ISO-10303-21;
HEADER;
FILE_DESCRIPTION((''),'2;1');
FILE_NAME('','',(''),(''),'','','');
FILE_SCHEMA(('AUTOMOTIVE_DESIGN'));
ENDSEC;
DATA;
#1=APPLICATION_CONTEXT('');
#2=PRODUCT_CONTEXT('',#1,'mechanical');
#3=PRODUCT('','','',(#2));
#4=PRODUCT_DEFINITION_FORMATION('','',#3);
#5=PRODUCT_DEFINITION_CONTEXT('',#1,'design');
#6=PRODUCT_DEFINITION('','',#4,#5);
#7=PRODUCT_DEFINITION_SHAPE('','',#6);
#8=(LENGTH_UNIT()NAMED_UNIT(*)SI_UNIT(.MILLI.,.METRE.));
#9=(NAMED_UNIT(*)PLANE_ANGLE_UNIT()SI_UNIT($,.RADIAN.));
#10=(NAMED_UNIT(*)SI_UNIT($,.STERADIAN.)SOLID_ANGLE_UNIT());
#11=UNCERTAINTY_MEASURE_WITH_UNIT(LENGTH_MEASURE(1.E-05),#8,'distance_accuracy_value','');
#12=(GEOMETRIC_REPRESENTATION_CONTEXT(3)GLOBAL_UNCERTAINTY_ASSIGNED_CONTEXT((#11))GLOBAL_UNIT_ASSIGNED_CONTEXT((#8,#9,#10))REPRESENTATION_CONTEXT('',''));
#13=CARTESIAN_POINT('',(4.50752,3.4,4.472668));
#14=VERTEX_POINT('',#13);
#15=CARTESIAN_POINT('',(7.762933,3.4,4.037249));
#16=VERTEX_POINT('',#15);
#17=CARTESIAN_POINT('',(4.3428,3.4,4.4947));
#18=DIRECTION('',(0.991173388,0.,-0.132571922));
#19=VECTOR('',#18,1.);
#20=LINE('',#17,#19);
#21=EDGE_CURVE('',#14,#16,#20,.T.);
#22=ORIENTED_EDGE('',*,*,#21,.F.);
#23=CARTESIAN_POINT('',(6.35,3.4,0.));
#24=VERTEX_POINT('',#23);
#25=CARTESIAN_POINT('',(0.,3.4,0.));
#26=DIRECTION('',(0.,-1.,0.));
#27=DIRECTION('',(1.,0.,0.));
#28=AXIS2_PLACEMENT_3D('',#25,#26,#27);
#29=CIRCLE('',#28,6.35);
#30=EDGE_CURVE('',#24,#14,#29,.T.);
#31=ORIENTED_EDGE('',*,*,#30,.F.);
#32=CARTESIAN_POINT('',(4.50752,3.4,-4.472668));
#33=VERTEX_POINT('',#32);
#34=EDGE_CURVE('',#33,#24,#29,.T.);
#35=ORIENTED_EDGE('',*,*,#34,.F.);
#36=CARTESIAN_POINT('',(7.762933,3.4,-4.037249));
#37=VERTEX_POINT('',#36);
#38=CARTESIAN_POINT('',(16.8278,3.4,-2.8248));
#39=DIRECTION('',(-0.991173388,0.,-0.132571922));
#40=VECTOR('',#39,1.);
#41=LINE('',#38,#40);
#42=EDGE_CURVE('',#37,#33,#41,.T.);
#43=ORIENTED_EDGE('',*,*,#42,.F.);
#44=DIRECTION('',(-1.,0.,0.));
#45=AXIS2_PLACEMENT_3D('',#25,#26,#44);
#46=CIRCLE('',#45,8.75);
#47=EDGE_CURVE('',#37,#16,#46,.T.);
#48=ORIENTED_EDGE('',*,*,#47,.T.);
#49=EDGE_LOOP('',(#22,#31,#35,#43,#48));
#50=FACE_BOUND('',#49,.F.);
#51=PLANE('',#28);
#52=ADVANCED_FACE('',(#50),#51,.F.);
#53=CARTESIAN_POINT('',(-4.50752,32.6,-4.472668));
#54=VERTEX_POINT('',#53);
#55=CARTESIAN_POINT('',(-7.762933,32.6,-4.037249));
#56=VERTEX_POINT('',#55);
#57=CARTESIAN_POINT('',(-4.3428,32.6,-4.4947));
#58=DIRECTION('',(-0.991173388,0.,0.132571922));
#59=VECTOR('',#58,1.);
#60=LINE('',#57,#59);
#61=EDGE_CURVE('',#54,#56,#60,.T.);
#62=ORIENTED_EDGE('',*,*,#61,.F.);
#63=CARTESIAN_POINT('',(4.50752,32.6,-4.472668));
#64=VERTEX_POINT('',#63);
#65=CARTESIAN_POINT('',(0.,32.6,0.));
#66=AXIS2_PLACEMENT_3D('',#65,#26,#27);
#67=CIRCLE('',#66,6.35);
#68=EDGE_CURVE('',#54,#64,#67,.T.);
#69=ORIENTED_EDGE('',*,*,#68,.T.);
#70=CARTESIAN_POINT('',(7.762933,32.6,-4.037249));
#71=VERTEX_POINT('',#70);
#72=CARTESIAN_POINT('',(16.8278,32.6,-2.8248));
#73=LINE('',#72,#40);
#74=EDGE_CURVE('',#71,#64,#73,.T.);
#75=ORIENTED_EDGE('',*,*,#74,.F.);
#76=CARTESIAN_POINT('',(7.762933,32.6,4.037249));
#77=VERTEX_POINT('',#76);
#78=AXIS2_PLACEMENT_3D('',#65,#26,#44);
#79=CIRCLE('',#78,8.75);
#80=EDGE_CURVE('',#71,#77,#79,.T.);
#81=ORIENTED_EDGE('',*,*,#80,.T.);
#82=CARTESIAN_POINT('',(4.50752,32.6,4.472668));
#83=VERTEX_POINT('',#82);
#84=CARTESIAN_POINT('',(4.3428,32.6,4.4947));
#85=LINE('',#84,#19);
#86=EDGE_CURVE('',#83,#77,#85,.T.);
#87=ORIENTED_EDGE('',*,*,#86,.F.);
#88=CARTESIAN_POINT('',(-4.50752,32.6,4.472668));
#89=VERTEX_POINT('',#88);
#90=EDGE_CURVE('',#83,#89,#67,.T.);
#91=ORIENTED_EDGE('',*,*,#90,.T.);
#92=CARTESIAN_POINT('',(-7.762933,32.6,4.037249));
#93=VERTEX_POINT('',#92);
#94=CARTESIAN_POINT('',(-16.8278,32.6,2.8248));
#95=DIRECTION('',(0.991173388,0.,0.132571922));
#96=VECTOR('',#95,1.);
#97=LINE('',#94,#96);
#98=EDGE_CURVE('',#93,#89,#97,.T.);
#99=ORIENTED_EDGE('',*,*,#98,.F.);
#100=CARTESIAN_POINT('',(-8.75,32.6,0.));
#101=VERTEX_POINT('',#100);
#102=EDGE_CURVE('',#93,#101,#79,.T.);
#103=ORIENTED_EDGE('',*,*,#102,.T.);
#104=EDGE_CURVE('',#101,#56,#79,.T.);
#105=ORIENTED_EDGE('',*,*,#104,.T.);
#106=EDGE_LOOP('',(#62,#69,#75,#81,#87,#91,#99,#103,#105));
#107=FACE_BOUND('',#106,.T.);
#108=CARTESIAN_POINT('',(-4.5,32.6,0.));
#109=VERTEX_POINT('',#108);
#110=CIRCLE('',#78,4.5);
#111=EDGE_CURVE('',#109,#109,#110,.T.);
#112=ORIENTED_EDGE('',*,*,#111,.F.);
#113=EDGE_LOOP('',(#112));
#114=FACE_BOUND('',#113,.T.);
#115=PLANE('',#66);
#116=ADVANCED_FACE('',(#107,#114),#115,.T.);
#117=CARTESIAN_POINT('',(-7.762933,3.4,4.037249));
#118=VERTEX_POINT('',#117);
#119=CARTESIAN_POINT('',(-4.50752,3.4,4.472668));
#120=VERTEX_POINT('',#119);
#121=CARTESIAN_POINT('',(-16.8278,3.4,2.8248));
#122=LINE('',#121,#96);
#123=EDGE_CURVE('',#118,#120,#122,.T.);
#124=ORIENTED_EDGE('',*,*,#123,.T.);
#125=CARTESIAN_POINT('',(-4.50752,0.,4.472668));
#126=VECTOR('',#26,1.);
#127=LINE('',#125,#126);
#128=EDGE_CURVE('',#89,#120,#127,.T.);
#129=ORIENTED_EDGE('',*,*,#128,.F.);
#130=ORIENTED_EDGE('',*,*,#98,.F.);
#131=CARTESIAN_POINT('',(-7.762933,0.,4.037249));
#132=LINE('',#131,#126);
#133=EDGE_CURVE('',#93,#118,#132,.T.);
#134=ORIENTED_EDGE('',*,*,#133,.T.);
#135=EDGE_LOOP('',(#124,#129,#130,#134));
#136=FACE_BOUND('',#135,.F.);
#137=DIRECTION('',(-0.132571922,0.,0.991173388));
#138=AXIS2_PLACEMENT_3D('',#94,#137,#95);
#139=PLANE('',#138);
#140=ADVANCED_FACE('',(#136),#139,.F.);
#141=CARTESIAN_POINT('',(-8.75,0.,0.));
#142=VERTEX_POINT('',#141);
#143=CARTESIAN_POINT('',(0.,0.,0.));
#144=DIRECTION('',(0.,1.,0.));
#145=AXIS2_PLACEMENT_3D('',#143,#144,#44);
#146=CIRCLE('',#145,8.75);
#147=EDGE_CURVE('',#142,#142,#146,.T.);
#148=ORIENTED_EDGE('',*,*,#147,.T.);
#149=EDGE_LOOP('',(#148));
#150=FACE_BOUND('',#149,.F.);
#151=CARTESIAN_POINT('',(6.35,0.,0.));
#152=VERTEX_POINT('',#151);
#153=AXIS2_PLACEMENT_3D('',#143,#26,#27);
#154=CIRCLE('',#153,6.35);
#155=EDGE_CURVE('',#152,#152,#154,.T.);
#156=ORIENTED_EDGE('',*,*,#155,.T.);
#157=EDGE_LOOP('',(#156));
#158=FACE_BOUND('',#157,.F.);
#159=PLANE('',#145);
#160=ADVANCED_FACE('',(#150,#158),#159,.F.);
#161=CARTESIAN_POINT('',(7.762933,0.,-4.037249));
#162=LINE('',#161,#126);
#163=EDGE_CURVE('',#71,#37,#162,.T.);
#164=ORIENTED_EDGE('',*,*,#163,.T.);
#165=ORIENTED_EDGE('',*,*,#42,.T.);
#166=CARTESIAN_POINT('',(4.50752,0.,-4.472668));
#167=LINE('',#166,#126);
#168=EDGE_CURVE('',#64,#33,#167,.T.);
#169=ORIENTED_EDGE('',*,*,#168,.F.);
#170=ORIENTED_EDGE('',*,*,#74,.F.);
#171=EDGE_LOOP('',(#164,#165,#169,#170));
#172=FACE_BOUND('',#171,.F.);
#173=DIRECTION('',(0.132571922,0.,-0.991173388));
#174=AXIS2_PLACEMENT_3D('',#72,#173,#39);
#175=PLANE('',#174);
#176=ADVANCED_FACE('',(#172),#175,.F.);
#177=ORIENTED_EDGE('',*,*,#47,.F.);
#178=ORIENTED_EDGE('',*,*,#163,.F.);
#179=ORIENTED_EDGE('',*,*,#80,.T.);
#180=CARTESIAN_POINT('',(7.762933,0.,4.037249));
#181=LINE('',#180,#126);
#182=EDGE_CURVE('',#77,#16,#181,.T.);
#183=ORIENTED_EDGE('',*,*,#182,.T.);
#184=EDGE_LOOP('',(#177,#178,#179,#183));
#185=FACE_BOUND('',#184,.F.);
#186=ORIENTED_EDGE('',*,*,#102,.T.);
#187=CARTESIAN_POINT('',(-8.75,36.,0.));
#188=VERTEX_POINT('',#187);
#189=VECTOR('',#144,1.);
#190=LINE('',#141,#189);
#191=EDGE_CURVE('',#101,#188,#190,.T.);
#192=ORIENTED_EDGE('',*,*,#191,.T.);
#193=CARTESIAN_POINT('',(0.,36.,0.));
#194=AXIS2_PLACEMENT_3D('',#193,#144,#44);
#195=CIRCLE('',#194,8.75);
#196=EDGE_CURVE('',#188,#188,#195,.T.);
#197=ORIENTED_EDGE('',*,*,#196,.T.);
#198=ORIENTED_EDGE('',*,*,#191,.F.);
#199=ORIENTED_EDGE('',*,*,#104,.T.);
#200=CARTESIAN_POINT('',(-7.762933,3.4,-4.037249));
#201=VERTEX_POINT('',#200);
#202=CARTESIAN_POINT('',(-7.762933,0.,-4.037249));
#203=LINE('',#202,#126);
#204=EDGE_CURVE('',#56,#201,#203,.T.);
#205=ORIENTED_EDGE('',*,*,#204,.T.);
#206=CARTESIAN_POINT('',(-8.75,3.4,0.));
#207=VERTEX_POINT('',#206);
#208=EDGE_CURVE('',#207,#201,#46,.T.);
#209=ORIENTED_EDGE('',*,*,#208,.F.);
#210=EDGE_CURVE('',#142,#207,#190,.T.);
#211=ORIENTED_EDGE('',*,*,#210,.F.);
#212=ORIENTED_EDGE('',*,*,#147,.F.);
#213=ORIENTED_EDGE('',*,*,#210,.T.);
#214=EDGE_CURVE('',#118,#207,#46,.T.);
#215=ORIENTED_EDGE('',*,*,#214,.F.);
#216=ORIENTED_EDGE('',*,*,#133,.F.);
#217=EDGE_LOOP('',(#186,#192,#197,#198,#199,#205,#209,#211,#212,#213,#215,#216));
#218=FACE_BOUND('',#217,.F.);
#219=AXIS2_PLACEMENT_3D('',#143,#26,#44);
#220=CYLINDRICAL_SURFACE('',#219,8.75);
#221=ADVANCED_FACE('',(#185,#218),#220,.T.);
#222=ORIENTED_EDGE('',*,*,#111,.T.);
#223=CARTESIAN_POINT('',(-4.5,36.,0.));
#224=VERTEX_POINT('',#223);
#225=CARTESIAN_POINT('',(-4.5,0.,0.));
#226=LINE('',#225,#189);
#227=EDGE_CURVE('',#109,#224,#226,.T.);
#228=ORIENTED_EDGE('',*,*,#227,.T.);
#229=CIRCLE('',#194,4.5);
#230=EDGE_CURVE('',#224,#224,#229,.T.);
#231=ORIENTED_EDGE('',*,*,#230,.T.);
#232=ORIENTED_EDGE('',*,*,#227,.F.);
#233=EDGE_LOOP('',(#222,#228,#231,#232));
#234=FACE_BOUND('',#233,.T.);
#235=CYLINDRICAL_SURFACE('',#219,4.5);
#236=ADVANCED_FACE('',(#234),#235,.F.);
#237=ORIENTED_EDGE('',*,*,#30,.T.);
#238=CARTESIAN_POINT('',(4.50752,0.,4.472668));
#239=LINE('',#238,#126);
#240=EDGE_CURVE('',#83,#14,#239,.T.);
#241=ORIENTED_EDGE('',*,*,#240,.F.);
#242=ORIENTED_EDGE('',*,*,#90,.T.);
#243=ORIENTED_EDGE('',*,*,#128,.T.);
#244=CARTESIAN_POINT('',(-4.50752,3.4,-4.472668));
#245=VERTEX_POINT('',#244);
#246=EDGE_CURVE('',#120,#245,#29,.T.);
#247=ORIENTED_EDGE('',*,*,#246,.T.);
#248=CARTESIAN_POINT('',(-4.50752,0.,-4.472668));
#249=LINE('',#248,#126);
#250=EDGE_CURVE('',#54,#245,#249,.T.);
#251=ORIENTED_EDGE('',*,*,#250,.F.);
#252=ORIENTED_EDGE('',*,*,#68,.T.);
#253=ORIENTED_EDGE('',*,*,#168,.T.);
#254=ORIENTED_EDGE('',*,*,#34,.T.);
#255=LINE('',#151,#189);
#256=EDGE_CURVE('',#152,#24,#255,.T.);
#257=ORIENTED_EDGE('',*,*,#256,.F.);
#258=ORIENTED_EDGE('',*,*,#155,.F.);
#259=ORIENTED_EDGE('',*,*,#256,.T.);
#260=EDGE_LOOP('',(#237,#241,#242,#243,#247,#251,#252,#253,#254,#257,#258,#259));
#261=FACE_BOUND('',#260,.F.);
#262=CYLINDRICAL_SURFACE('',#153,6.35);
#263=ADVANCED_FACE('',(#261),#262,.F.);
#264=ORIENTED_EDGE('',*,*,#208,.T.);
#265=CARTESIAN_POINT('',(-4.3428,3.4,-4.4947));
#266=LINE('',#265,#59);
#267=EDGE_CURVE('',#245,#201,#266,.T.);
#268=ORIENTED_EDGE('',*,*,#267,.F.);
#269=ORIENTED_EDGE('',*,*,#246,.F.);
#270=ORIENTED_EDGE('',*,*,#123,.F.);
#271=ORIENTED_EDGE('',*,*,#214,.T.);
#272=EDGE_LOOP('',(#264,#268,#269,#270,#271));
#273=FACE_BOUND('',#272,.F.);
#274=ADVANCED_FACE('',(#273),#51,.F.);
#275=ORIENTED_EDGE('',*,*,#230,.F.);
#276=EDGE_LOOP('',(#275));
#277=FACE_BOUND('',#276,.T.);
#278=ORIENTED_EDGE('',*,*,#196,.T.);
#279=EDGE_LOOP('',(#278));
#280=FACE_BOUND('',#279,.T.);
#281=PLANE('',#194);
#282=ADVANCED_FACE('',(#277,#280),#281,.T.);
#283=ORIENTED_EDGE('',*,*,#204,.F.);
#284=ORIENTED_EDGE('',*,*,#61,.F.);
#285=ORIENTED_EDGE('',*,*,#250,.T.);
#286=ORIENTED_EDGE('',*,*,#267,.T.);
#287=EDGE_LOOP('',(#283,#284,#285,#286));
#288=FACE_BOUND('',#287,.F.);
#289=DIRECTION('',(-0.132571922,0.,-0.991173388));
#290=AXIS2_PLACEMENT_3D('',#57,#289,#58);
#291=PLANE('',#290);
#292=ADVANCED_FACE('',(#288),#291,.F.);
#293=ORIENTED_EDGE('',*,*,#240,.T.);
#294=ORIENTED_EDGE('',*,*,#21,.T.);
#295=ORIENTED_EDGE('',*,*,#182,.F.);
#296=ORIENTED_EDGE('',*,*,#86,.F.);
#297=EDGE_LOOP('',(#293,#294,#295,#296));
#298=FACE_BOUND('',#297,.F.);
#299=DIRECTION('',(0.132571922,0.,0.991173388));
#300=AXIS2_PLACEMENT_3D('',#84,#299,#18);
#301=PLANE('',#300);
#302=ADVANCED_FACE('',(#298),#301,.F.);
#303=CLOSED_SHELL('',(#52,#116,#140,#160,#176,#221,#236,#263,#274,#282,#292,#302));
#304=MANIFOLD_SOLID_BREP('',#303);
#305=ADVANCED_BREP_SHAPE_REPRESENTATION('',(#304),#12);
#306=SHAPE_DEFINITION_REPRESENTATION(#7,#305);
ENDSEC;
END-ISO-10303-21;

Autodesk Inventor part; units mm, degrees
ref_plane "YZ Plane" through (0, 0, 0) normal (1, 0, 0) x (0, 1, 0)
ref_plane "XZ Plane" through (0, 0, 0) normal (0, 1, 0) x (-1, 0, 0)
ref_plane "XY Plane" through (0, 0, 0) normal (0, 0, 1) x (1, 0, 0)
sketch "Sketch6" plane through (0, 0, 0) normal (0, 1, 0) x (-1, 0, 0)
  circle A0 centre (0, 0) radius 8.75
  circle A1 centre (0, 0) radius 4.5
  dimension "d18" = 17.5
  dimension "d35" = 9
extrude "Extrusion5" add sketch "Sketch6" along normal blind 36
sketch "Sketch10" plane through (0, 0, 0) normal (0, -1, 0) x (1, 0, 0)
  circle A0 centre (0, 0) radius 6.35
  dimension "d32" = 12.7
extrude "Extrusion8" cut sketch "Sketch10" against normal blind 32.6
sketch "Sketch11" plane through (0, 32.6, 0) normal (0, -1, 0) x (1, 0, 0)
  arc A0 (-4.2968, -4.4) -> (4.2968, -4.4) centre (0, 0) ccw
  line L0 (-4.2968, 4.4) -> (-16.8146, 2.7257)
  arc A1 (-16.8146, 2.7257) -> (-16.8146, -2.7257) centre (-16.45, 0) ccw
  line L1 (-16.8146, -2.7257) -> (-4.2968, -4.4)
  line L2 (4.2968, -4.4) -> (16.8146, -2.7257)
  arc A2 (16.8146, -2.7257) -> (16.8146, 2.7257) centre (16.45, 0) ccw
  line L3 (16.8146, 2.7257) -> (4.2968, 4.4)
  line L4 (-4.2968, -4.4) -> (4.2968, -4.4) construction
  line L5 (-4.2968, 4.4) -> (4.2968, 4.4) construction
  line L6 (-19.2, 0) -> (19.2, 0) construction
  arc A3 (-6.15, 0) -> (-4.2968, -4.4) centre (0, 0) ccw construction
  arc A4 (-4.2968, 4.4) -> (-6.15, 0) centre (0, 0) ccw construction
  arc A5 (4.2968, 4.4) -> (-4.2968, 4.4) centre (0, 0) ccw
  arc A6 (6.15, 0) -> (4.2968, 4.4) centre (0, 0) ccw construction
  arc A7 (4.2968, -4.4) -> (6.15, 0) centre (0, 0) ccw construction
  line L7 (-4.3428, -4.4947) -> (-16.8278, -2.8248)
  arc A8 (-16.8278, 2.8248) -> (-16.8278, -2.8248) centre (-16.45, 0) ccw
  line L8 (-16.8278, 2.8248) -> (-4.3428, 4.4947)
  arc A9 (4.3428, 4.4947) -> (-4.3428, 4.4947) centre (0, 0) ccw
  line L9 (4.3428, 4.4947) -> (16.8278, 2.8248)
  arc A10 (16.8278, -2.8248) -> (16.8278, 2.8248) centre (16.45, 0) ccw
  line L10 (16.8278, -2.8248) -> (4.3428, -4.4947)
  arc A11 (-4.3428, -4.4947) -> (4.3428, -4.4947) centre (0, 0) ccw
  point P0 (0, 0)
  point P1 (0, 0)
  dimension "d36" = 12.3
  dimension "d37" = 8.8
  dimension "d38" = 38.4
  dimension "d39" = 2.75
  dimension "d40" = 0.1
extrude "Extrusion9" cut sketch "Sketch11" along normal blind 29.2 contours L1 A1 L0 A5 L3 A2 L2 A0 | L7 A8 L8 A9 L9 A10 L10 A11
properties part number "attachmentcustom" material "PET Plastic"
